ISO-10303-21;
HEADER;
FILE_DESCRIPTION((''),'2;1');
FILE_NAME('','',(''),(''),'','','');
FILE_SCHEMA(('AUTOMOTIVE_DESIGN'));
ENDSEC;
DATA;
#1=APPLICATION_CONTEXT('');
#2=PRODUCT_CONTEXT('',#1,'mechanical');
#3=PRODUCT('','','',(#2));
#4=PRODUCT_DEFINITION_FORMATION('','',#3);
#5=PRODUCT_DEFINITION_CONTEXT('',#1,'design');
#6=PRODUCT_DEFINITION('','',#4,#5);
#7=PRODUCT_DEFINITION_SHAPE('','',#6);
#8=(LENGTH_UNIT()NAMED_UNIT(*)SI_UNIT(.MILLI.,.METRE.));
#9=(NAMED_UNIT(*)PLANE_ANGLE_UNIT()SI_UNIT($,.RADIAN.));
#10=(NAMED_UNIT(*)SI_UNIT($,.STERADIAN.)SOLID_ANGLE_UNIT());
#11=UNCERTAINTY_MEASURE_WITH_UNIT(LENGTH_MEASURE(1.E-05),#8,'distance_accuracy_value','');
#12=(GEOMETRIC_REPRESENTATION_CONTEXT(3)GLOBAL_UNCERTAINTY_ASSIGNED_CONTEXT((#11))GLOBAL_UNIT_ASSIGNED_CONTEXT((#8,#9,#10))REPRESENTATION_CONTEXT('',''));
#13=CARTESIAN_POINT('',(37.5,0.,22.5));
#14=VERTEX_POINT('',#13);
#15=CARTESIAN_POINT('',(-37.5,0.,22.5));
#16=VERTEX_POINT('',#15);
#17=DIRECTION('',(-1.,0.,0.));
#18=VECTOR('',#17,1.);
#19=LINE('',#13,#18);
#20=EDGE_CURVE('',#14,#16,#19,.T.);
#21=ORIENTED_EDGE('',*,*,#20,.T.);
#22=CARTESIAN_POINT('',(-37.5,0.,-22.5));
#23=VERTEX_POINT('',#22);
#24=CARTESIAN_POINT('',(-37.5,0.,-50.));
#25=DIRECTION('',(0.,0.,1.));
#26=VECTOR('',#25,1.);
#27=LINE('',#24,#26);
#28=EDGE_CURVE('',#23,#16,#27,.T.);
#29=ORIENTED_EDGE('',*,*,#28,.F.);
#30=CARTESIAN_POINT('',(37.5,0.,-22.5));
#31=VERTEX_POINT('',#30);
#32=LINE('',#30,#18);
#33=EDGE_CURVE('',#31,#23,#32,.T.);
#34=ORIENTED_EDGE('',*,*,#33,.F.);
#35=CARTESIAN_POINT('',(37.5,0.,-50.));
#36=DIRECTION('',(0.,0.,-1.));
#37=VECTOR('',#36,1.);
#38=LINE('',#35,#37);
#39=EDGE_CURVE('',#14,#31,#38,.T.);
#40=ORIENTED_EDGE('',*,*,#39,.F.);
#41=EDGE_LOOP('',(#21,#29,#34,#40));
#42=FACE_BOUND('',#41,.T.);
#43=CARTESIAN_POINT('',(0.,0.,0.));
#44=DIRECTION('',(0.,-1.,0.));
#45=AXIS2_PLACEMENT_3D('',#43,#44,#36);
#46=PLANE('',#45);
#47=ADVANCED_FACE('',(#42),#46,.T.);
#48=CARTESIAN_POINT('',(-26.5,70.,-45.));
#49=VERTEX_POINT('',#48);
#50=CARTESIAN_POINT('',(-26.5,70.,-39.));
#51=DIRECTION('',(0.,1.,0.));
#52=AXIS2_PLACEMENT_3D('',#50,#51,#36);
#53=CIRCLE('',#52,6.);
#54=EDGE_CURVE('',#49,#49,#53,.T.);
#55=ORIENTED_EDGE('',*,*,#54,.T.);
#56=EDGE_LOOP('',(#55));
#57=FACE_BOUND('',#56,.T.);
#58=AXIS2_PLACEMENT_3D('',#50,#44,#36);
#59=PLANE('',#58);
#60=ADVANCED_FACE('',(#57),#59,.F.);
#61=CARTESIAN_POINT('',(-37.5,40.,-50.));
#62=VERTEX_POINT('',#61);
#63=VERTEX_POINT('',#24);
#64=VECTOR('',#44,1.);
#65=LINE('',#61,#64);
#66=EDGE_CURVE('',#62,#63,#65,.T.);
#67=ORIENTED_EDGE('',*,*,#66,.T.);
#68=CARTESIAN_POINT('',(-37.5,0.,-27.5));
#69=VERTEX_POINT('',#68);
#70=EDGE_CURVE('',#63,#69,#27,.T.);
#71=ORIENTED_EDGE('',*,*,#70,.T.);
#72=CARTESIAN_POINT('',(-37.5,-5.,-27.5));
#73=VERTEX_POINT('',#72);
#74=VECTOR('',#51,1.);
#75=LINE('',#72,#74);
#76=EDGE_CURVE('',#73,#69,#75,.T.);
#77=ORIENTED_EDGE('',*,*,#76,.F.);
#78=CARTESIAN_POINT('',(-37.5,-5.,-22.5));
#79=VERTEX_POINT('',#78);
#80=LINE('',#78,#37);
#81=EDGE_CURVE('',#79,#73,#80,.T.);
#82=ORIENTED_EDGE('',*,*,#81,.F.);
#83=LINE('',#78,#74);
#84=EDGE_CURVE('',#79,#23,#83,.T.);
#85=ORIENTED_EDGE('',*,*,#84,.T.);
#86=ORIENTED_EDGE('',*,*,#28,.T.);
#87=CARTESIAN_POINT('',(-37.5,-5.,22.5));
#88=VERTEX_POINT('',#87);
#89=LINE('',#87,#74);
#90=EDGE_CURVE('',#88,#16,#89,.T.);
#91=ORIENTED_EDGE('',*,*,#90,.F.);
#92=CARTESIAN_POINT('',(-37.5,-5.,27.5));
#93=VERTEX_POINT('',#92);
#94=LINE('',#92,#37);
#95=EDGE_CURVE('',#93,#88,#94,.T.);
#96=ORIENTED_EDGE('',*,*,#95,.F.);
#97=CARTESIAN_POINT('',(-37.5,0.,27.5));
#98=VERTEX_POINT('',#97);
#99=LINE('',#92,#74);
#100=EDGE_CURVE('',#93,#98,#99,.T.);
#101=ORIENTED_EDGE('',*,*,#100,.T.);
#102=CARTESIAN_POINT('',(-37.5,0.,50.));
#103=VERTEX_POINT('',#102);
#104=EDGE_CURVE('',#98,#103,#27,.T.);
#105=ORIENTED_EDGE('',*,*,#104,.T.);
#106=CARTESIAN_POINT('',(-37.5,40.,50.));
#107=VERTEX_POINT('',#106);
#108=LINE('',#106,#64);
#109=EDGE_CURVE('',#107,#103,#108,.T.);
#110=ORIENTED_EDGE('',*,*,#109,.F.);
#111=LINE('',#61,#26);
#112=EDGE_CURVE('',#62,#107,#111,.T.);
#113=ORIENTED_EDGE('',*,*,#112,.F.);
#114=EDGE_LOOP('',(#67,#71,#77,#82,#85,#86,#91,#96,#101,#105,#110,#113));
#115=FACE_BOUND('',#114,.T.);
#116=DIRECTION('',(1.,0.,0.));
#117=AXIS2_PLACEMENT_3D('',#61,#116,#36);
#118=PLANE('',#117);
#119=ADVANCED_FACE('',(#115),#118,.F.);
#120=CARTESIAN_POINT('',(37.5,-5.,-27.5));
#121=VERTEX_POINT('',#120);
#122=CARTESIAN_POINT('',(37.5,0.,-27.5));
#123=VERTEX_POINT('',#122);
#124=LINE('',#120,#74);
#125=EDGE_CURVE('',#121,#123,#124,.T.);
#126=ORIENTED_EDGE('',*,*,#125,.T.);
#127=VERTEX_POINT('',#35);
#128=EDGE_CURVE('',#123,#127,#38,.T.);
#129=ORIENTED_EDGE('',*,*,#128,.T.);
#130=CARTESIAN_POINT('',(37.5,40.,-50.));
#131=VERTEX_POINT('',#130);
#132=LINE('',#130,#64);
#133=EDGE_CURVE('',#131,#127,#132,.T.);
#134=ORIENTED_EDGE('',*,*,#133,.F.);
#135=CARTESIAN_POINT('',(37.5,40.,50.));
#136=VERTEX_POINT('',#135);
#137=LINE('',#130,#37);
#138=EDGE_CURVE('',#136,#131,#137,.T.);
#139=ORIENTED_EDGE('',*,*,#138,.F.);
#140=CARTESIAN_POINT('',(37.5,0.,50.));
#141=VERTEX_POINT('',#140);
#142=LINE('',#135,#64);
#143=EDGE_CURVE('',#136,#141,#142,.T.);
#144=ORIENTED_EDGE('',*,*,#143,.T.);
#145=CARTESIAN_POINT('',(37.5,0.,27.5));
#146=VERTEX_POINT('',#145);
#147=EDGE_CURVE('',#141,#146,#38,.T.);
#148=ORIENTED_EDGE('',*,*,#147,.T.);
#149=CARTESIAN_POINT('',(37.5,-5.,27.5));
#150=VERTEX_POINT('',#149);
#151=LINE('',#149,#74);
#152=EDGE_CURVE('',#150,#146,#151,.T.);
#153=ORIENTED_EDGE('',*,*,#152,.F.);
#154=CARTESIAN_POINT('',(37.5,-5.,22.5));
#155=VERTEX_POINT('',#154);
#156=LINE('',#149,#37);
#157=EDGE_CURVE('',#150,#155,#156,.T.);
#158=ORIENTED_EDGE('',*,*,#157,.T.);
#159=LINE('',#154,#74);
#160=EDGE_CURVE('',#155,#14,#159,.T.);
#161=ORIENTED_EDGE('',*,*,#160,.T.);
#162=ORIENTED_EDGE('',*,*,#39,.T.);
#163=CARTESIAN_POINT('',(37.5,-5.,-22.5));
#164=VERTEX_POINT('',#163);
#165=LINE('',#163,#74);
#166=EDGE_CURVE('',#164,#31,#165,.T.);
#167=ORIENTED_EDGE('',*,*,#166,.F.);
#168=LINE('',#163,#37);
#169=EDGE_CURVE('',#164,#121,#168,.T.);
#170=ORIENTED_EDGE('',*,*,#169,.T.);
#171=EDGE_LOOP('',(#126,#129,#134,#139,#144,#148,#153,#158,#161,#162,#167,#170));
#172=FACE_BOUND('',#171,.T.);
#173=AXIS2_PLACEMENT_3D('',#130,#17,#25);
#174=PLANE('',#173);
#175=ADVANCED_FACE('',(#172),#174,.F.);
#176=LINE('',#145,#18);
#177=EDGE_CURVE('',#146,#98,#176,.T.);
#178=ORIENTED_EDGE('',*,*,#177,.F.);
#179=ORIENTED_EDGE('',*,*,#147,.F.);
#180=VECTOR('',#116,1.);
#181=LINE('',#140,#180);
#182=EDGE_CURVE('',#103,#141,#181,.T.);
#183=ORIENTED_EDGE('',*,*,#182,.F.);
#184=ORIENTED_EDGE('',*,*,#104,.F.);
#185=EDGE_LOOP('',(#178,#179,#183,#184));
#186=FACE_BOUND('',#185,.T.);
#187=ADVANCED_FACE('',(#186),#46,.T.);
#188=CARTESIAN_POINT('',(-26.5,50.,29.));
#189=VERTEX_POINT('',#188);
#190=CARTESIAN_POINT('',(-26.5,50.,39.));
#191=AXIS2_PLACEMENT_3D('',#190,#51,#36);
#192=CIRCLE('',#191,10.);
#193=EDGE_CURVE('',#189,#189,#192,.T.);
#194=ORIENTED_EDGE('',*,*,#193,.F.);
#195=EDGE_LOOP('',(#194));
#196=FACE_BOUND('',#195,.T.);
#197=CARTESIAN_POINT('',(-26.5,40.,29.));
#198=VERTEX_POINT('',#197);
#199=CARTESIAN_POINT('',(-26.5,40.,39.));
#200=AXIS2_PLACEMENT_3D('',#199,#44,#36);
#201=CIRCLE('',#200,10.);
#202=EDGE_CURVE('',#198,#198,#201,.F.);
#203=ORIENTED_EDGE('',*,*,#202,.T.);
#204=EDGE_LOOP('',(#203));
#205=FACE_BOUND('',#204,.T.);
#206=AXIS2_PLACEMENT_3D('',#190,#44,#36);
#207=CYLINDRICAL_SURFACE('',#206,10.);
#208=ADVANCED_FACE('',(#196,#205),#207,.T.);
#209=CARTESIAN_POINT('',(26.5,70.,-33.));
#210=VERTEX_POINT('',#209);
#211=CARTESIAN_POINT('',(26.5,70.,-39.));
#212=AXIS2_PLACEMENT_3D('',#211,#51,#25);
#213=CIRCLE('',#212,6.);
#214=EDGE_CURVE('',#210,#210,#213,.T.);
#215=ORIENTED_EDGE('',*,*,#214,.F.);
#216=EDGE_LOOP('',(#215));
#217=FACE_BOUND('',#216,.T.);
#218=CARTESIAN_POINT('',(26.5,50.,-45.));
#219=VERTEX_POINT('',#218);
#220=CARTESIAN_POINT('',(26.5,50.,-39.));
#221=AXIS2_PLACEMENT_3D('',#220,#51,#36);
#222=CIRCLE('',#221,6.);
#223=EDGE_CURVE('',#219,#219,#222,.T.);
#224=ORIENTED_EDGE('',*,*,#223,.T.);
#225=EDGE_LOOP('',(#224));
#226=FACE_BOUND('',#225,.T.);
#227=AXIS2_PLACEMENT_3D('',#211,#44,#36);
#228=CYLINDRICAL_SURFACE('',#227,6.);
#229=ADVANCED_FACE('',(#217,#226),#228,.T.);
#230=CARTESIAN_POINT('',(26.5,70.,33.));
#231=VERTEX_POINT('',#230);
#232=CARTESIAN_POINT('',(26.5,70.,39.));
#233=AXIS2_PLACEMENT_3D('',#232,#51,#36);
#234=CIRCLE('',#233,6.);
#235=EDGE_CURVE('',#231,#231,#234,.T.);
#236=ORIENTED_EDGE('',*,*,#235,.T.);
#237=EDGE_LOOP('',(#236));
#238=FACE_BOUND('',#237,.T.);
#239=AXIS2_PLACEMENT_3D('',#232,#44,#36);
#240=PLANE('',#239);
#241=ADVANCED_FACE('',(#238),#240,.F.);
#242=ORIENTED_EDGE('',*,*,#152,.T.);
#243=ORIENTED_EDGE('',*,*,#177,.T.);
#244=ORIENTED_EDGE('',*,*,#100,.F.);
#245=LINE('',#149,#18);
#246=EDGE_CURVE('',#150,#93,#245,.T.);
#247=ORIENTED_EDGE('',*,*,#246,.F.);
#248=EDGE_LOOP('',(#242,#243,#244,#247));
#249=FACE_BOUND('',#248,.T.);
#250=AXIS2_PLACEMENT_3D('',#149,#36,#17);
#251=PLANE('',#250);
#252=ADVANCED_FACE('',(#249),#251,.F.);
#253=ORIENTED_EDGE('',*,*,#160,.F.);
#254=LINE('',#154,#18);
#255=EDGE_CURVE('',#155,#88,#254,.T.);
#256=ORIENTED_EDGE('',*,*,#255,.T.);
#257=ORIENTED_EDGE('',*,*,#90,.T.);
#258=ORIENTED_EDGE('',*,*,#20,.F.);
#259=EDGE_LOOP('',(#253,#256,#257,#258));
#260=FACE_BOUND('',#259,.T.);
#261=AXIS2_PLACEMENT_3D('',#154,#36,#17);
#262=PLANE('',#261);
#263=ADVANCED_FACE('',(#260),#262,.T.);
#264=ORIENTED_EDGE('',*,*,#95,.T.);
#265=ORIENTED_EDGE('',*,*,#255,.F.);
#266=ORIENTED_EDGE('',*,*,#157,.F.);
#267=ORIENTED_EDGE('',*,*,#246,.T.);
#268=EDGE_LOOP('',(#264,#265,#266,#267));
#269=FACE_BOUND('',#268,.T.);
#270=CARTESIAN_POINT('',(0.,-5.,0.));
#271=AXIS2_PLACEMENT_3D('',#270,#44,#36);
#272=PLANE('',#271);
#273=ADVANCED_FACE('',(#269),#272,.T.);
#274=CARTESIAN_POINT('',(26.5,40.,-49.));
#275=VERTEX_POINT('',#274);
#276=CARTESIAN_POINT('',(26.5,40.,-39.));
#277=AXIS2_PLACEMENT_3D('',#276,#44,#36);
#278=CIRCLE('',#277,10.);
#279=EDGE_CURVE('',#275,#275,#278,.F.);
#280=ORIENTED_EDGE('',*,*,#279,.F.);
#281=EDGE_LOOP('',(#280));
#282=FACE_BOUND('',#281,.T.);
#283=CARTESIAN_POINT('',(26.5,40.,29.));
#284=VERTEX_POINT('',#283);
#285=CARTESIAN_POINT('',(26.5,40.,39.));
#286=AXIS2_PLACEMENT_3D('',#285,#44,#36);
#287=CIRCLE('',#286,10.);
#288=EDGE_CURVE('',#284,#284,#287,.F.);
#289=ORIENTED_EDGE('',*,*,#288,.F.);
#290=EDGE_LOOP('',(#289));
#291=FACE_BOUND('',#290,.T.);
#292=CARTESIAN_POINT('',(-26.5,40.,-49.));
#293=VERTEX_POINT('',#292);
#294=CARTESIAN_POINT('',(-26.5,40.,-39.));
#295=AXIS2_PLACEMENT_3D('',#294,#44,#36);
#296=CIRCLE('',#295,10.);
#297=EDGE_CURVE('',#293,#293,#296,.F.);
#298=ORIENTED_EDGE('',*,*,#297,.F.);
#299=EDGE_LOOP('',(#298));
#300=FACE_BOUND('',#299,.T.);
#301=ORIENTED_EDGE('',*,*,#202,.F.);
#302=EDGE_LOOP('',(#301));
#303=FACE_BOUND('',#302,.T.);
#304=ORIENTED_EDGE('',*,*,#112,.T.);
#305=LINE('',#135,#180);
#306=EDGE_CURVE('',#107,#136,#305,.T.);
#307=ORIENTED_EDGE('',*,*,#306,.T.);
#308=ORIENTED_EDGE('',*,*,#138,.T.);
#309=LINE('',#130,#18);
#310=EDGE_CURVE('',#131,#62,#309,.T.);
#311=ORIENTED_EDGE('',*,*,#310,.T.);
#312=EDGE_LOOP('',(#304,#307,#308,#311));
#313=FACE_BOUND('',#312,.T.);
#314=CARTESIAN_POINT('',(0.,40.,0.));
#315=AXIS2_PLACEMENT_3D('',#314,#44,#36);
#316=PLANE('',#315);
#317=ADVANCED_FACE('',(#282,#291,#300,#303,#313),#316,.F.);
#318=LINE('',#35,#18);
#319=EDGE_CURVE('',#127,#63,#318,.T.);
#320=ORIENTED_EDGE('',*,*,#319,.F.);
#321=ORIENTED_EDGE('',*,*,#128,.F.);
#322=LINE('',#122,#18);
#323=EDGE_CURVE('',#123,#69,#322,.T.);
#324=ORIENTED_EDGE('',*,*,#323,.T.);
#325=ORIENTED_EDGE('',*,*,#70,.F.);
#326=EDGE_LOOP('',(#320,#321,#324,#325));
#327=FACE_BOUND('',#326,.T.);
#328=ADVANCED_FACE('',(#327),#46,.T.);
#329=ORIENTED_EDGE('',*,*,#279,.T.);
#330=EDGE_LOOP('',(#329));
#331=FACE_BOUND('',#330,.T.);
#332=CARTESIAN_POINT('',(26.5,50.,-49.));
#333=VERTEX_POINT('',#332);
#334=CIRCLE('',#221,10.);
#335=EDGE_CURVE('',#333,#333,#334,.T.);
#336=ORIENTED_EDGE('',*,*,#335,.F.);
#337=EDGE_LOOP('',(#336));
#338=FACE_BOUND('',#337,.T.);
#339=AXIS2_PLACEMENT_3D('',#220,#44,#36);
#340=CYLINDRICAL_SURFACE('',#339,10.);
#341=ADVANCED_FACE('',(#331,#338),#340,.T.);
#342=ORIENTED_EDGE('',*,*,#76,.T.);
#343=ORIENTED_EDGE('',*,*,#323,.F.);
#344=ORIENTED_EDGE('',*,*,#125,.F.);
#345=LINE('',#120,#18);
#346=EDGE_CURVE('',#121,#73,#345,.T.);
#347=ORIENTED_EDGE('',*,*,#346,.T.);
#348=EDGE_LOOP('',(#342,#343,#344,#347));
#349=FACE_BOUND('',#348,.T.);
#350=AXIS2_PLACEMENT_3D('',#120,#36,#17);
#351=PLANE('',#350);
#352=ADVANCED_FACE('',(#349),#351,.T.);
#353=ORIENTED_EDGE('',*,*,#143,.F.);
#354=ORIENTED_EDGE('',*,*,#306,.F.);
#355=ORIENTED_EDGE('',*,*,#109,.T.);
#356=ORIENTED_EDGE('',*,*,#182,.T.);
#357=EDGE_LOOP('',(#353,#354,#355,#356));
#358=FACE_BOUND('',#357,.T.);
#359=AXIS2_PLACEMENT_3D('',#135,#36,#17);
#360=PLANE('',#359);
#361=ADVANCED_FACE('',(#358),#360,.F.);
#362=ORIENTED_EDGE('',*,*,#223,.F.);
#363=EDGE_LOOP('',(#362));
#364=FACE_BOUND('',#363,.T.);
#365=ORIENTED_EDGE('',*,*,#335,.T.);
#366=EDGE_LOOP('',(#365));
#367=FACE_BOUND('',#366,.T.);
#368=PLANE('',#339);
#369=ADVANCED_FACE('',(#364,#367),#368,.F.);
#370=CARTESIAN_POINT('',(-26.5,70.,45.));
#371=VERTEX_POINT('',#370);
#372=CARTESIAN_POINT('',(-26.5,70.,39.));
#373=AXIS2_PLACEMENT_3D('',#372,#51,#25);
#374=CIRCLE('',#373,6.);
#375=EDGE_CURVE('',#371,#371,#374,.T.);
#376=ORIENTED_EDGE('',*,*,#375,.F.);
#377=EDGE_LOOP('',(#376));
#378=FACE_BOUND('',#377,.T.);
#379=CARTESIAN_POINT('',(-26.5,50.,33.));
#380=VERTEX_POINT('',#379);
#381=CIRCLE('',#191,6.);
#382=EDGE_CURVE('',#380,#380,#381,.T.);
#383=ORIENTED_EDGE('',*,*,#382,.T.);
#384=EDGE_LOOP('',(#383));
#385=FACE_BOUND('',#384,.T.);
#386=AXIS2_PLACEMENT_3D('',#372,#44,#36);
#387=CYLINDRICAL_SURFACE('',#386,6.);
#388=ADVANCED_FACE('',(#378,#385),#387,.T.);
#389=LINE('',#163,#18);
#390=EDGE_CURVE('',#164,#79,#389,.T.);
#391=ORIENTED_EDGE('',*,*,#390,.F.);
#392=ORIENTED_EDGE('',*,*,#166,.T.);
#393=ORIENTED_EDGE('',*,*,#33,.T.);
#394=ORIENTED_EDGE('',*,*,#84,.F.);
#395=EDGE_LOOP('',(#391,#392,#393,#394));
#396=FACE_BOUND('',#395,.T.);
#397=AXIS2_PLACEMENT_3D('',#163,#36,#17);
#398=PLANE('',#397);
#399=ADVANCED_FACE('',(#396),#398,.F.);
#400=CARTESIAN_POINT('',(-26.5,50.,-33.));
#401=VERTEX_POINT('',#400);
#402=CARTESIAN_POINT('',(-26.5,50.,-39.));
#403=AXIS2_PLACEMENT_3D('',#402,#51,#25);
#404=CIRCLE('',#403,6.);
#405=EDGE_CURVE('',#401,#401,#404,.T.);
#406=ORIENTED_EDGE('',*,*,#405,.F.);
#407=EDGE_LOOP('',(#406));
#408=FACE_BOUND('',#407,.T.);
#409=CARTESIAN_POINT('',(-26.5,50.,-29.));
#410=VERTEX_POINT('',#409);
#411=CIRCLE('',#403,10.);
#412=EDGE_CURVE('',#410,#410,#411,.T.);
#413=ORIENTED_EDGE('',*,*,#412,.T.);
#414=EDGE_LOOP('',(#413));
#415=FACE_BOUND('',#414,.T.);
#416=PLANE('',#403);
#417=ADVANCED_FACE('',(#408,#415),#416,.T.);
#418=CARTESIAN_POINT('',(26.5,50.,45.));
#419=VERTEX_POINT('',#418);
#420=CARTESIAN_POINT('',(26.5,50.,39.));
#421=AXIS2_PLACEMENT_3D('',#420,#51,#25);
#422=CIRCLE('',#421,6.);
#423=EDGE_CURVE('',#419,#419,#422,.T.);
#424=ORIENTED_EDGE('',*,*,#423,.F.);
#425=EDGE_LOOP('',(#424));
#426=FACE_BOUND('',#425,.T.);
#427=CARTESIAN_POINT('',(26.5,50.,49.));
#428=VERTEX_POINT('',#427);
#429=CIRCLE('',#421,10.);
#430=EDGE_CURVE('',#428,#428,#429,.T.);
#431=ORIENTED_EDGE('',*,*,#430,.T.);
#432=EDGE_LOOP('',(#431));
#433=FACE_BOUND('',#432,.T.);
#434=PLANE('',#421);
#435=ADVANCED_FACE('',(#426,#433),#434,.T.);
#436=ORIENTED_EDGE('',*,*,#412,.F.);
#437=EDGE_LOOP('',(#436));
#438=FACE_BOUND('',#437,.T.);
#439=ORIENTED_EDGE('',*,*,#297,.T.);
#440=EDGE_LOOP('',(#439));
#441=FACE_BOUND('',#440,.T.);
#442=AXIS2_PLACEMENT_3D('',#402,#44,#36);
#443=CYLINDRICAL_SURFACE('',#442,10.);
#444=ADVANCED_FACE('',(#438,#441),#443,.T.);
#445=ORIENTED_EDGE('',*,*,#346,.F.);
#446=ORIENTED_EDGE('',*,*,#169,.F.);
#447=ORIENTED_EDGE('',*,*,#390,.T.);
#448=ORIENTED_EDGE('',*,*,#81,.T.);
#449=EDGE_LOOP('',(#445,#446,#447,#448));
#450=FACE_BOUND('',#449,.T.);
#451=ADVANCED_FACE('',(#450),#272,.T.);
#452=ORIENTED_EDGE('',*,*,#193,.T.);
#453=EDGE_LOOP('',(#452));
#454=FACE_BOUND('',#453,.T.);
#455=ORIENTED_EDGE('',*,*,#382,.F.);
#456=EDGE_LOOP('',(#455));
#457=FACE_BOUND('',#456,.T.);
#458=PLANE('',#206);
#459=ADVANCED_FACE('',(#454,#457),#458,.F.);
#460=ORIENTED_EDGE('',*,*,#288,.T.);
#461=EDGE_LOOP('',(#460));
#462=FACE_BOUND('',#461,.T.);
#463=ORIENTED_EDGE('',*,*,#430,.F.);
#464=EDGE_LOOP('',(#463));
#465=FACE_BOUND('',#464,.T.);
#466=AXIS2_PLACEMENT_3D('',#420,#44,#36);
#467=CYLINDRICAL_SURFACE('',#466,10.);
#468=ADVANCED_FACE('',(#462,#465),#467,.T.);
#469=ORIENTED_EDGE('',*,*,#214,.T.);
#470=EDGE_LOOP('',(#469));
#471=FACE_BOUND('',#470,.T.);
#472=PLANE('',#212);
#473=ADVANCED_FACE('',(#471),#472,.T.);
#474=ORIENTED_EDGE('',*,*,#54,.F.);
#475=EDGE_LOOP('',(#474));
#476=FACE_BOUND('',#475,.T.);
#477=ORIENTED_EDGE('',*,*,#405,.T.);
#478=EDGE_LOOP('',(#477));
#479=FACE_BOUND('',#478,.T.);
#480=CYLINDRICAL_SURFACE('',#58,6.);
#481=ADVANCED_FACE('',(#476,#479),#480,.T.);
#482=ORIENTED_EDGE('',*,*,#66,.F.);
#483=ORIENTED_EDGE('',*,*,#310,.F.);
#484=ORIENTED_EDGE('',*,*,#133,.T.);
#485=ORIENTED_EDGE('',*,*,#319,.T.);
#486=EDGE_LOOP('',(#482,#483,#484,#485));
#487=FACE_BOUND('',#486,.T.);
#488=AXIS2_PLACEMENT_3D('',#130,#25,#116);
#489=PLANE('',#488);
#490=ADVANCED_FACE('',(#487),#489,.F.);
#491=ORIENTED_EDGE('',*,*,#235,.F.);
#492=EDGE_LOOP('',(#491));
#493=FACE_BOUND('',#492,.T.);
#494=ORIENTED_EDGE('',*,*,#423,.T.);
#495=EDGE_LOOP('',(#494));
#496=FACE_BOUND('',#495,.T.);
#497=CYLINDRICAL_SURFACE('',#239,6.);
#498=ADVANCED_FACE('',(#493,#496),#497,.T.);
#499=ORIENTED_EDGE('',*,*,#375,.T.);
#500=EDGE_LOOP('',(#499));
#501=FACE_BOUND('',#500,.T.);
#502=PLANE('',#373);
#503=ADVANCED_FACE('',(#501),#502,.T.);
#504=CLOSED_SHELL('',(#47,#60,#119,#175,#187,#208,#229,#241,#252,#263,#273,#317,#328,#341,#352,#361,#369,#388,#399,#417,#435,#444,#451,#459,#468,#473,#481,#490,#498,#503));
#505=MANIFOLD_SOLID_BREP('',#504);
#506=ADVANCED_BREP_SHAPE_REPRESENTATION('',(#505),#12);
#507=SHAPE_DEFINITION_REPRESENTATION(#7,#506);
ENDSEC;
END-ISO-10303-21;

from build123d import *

# Parameters (mm, degrees)
CROQUIS2_W              = 75
CROQUIS2_H              = 100
SALIENTE_EXTRUIR1_DEPTH = 40
CROQUIS3_W              = 75
CROQUIS3_H              = 5
SALIENTE_EXTRUIR2_DEPTH = 5
CROQUIS4_R              = 10
CROQUIS4_R_2            = 6
SALIENTE_EXTRUIR7_DEPTH = 10
CROQUIS9_R              = 6
SALIENTE_EXTRUIR8_DEPTH = 30


with BuildPart() as part:
    # Croquis2 → Saliente-Extruir1 (new body)
    with BuildSketch(Plane(origin=(0, 0, 0), x_dir=(1, 0, 0), z_dir=(0, 1, 0))):
        Rectangle(CROQUIS2_W, CROQUIS2_H)
    extrude(amount=SALIENTE_EXTRUIR1_DEPTH)

    # Croquis3 → Saliente-Extruir2 (add)
    with BuildSketch(Plane.XZ):
        with Locations((0, 25)):
            Rectangle(CROQUIS3_W, CROQUIS3_H)
        with Locations((0, -25)):
            Rectangle(CROQUIS3_W, CROQUIS3_H)
    extrude(amount=SALIENTE_EXTRUIR2_DEPTH)

    # Croquis4 → Saliente-Extruir7 (add)
    # profile 1 of 4: a face of its own
    with BuildSketch(Plane(origin=(0, 40, 0), x_dir=(1, 0, 0), z_dir=(0, 1, 0))):
        with Locations(Location((-26.5, 39, 0), (0, 0, 90))):
            Circle(CROQUIS4_R)
        with Locations(Location((-26.5, 39, 0), (0, 0, 270))):
            Circle(CROQUIS4_R_2, mode=Mode.SUBTRACT)
    # profile 2 of 4: a face of its own
    with BuildSketch(Plane(origin=(0, 40, 0), x_dir=(1, 0, 0), z_dir=(0, 1, 0))):
        with Locations(Location((26.5, 39, 0), (0, 0, 90))):
            Circle(CROQUIS4_R)
        with Locations(Location((26.5, 39, 0), (0, 0, 90))):
            Circle(CROQUIS4_R_2, mode=Mode.SUBTRACT)
    # profile 3 of 4: a face of its own
    with BuildSketch(Plane(origin=(0, 40, 0), x_dir=(1, 0, 0), z_dir=(0, 1, 0))):
        with Locations(Location((26.5, -39, 0), (0, 0, 90))):
            Circle(CROQUIS4_R)
        with Locations(Location((26.5, -39, 0), (0, 0, 270))):
            Circle(CROQUIS4_R_2, mode=Mode.SUBTRACT)
    # profile 4 of 4: a face of its own
    with BuildSketch(Plane(origin=(0, 40, 0), x_dir=(1, 0, 0), z_dir=(0, 1, 0))):
        with Locations(Location((-26.5, -39, 0), (0, 0, 90))):
            Circle(CROQUIS4_R)
        with Locations(Location((-26.5, -39, 0), (0, 0, 90))):
            Circle(CROQUIS4_R_2, mode=Mode.SUBTRACT)
    extrude(amount=SALIENTE_EXTRUIR7_DEPTH)

    # Croquis9 → Saliente-Extruir8 (add)
    with BuildSketch(Plane(origin=(0, 40, 0), x_dir=(1, 0, 0), z_dir=(0, 1, 0))):
        with Locations(Location((-26.5, -39, 0), (0, 0, 90))):
            Circle(CROQUIS9_R)
        with Locations(Location((-26.5, 39, 0), (0, 0, 90))):
            Circle(CROQUIS9_R)
        with Locations(Location((26.5, -39, 0), (0, 0, 90))):
            Circle(CROQUIS9_R)
        with Locations(Location((26.5, 39, 0), (0, 0, 90))):
            Circle(CROQUIS9_R)
    extrude(amount=SALIENTE_EXTRUIR8_DEPTH)


solid = part.part
